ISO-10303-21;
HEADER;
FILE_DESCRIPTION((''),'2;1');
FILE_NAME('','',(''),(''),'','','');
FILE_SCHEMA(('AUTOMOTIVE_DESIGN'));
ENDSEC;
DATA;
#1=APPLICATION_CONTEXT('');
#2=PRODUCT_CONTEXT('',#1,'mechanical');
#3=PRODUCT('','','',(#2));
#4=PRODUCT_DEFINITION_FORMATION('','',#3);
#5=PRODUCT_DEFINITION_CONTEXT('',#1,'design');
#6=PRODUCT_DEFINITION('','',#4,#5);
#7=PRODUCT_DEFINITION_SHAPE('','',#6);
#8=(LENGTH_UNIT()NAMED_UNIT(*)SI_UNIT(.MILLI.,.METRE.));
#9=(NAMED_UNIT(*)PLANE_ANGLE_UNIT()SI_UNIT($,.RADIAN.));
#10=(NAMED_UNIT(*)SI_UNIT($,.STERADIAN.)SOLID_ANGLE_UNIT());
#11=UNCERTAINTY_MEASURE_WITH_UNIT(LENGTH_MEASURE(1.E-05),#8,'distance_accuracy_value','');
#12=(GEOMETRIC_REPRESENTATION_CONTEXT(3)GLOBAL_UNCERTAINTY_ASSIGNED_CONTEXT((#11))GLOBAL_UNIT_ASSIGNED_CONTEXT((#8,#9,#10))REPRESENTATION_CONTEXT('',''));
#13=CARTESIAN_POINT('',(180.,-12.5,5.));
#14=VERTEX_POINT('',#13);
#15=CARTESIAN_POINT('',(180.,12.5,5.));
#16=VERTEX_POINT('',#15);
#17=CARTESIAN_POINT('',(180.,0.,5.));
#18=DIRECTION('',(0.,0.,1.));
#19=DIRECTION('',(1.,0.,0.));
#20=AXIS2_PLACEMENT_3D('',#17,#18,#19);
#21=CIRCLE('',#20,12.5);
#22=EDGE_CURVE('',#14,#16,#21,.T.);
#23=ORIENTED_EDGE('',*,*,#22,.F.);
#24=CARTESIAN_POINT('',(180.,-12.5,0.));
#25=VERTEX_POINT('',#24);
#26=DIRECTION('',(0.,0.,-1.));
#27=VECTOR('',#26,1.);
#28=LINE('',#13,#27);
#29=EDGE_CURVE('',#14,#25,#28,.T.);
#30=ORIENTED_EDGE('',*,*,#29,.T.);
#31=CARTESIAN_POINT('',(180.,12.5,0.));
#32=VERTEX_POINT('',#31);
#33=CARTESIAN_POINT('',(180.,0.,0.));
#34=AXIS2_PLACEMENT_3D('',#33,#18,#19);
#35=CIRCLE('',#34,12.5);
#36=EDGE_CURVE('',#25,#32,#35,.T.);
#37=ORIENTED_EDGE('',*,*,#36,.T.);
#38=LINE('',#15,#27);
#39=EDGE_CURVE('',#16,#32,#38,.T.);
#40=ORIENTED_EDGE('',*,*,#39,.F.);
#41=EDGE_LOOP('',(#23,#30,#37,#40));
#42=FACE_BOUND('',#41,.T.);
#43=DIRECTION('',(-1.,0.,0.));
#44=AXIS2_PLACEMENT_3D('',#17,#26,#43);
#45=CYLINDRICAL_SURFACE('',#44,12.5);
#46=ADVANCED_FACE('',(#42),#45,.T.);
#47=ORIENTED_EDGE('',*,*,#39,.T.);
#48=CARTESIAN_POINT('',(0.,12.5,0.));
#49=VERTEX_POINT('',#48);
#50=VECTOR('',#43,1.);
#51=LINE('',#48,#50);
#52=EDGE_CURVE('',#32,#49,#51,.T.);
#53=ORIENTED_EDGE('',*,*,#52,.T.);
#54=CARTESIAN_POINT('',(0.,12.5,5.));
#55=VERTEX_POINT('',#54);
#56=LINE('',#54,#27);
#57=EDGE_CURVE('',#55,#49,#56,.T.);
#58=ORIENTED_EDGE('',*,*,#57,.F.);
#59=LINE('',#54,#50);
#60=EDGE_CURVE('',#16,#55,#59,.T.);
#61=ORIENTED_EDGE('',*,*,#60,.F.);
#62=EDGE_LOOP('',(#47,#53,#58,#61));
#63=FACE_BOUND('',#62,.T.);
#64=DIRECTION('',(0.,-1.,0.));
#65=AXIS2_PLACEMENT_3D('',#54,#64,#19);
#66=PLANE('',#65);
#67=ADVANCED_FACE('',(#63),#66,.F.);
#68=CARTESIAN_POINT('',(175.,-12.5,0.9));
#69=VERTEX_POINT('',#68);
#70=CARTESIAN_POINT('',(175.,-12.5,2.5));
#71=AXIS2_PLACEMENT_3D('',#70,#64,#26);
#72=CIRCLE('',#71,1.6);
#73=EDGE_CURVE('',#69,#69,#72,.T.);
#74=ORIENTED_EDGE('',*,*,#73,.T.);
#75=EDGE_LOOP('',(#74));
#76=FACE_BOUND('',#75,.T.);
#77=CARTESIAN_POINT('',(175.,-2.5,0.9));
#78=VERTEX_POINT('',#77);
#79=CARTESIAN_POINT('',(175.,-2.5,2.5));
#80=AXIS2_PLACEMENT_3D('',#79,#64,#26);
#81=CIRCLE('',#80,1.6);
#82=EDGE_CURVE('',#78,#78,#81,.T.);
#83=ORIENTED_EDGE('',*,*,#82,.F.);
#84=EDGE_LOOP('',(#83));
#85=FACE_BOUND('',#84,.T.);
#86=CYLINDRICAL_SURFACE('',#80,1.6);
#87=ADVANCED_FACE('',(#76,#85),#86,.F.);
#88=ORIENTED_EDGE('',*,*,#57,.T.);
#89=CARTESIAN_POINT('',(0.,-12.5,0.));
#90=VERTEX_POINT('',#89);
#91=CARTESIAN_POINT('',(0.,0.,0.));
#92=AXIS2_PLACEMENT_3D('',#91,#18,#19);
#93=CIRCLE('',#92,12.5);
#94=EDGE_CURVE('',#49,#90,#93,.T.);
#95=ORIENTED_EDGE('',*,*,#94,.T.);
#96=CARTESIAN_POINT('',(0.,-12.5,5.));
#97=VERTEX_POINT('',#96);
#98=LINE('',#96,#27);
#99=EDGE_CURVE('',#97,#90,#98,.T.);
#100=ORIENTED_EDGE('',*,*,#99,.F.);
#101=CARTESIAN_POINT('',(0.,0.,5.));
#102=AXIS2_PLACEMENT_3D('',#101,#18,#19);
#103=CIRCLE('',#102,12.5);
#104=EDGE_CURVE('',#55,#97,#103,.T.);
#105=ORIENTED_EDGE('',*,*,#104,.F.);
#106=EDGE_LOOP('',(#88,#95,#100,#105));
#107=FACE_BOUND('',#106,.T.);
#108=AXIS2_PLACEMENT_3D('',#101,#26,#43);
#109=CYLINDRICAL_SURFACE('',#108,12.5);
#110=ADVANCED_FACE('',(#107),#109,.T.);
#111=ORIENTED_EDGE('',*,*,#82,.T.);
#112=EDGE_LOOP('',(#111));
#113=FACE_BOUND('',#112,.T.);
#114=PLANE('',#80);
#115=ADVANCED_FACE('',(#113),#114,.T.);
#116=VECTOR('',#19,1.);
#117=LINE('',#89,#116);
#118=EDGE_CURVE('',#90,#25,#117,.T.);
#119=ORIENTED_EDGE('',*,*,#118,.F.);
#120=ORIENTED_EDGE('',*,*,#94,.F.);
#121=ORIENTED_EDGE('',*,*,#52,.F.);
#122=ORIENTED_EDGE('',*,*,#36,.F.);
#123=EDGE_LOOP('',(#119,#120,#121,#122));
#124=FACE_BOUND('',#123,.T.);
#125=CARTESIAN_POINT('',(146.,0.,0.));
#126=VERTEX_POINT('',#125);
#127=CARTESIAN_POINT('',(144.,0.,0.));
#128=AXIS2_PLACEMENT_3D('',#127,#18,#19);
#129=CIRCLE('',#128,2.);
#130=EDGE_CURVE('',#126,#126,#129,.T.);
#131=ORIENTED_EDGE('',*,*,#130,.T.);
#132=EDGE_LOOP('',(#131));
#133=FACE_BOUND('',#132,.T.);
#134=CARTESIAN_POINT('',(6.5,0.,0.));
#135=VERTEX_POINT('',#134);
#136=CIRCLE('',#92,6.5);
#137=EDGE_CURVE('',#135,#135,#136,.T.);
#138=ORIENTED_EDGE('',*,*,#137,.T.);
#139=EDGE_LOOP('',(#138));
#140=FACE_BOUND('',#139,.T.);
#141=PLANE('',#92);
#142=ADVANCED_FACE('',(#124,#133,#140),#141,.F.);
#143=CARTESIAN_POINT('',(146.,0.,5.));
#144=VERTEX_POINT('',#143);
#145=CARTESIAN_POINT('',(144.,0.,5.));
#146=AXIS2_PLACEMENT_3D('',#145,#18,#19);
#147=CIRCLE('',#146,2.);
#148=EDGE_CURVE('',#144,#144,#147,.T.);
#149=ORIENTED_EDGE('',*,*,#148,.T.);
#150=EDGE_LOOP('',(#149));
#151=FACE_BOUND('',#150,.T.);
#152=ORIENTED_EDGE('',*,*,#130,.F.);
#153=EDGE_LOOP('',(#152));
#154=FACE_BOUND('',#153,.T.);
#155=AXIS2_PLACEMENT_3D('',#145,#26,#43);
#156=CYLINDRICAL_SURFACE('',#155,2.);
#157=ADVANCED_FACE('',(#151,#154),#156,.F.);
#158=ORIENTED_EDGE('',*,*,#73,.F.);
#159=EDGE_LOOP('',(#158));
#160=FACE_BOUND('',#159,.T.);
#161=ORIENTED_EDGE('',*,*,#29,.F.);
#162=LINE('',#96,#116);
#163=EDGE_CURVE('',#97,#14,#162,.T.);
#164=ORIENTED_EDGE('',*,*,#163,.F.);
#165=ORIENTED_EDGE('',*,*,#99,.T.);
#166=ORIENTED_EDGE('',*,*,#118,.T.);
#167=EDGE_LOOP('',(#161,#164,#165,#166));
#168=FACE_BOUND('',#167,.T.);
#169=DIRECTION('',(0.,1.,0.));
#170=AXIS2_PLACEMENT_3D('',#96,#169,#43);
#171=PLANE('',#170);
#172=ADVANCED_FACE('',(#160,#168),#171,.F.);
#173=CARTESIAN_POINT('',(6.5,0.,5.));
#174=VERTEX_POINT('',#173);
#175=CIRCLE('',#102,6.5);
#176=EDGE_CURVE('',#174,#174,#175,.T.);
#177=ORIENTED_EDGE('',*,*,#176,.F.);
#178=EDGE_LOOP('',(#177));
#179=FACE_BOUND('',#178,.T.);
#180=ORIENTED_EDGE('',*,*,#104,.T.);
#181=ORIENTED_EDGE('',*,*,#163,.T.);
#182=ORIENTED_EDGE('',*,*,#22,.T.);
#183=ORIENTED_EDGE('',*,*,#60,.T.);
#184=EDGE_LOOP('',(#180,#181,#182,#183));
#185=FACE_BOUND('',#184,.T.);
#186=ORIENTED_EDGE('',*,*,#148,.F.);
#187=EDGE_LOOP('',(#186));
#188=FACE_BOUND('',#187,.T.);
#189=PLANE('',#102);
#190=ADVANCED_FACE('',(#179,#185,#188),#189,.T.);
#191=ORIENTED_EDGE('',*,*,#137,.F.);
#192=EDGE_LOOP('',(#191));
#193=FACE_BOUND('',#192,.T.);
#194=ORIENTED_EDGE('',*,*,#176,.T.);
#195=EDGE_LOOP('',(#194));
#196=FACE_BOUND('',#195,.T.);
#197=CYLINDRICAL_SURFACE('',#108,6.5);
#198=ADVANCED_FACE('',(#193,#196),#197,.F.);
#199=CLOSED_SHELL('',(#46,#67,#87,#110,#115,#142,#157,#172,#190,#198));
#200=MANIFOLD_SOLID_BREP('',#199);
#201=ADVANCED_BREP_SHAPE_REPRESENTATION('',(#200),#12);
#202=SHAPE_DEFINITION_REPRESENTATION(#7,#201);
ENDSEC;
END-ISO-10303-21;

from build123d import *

# Parameters (mm, degrees)
SKETCH1_R           = 6.5
SKETCH1_R_2         = 2
BOSS_EXTRUDE1_DEPTH = 5
SKETCH2_R           = 1.6
CUT_EXTRUDE1_DEPTH  = 10


with BuildPart() as part:
    # Sketch1 → Boss-Extrude1 (new body)
    with BuildSketch(Plane.XY):
        with BuildLine():
            Line((0, 12.5), (180, 12.5))
            ThreePointArc((180, 12.5), (192.5, 0), (180, -12.5))
            Line((180, -12.5), (0, -12.5))
            ThreePointArc((0, -12.5), (-12.5, 0), (0, 12.5))
        make_face()
        Circle(SKETCH1_R, mode=Mode.SUBTRACT)
        with Locations((144, 0)):
            Circle(SKETCH1_R_2, mode=Mode.SUBTRACT)
    extrude(amount=BOSS_EXTRUDE1_DEPTH)

    # Sketch2 → Cut-Extrude1 (cut)
    with BuildSketch(Plane.XZ.offset(12.5)):
        with Locations(Location((175, 2.5, 0), (0, 0, 270))):
            Circle(SKETCH2_R)
    extrude(amount=-CUT_EXTRUDE1_DEPTH, mode=Mode.SUBTRACT)


solid = part.part
